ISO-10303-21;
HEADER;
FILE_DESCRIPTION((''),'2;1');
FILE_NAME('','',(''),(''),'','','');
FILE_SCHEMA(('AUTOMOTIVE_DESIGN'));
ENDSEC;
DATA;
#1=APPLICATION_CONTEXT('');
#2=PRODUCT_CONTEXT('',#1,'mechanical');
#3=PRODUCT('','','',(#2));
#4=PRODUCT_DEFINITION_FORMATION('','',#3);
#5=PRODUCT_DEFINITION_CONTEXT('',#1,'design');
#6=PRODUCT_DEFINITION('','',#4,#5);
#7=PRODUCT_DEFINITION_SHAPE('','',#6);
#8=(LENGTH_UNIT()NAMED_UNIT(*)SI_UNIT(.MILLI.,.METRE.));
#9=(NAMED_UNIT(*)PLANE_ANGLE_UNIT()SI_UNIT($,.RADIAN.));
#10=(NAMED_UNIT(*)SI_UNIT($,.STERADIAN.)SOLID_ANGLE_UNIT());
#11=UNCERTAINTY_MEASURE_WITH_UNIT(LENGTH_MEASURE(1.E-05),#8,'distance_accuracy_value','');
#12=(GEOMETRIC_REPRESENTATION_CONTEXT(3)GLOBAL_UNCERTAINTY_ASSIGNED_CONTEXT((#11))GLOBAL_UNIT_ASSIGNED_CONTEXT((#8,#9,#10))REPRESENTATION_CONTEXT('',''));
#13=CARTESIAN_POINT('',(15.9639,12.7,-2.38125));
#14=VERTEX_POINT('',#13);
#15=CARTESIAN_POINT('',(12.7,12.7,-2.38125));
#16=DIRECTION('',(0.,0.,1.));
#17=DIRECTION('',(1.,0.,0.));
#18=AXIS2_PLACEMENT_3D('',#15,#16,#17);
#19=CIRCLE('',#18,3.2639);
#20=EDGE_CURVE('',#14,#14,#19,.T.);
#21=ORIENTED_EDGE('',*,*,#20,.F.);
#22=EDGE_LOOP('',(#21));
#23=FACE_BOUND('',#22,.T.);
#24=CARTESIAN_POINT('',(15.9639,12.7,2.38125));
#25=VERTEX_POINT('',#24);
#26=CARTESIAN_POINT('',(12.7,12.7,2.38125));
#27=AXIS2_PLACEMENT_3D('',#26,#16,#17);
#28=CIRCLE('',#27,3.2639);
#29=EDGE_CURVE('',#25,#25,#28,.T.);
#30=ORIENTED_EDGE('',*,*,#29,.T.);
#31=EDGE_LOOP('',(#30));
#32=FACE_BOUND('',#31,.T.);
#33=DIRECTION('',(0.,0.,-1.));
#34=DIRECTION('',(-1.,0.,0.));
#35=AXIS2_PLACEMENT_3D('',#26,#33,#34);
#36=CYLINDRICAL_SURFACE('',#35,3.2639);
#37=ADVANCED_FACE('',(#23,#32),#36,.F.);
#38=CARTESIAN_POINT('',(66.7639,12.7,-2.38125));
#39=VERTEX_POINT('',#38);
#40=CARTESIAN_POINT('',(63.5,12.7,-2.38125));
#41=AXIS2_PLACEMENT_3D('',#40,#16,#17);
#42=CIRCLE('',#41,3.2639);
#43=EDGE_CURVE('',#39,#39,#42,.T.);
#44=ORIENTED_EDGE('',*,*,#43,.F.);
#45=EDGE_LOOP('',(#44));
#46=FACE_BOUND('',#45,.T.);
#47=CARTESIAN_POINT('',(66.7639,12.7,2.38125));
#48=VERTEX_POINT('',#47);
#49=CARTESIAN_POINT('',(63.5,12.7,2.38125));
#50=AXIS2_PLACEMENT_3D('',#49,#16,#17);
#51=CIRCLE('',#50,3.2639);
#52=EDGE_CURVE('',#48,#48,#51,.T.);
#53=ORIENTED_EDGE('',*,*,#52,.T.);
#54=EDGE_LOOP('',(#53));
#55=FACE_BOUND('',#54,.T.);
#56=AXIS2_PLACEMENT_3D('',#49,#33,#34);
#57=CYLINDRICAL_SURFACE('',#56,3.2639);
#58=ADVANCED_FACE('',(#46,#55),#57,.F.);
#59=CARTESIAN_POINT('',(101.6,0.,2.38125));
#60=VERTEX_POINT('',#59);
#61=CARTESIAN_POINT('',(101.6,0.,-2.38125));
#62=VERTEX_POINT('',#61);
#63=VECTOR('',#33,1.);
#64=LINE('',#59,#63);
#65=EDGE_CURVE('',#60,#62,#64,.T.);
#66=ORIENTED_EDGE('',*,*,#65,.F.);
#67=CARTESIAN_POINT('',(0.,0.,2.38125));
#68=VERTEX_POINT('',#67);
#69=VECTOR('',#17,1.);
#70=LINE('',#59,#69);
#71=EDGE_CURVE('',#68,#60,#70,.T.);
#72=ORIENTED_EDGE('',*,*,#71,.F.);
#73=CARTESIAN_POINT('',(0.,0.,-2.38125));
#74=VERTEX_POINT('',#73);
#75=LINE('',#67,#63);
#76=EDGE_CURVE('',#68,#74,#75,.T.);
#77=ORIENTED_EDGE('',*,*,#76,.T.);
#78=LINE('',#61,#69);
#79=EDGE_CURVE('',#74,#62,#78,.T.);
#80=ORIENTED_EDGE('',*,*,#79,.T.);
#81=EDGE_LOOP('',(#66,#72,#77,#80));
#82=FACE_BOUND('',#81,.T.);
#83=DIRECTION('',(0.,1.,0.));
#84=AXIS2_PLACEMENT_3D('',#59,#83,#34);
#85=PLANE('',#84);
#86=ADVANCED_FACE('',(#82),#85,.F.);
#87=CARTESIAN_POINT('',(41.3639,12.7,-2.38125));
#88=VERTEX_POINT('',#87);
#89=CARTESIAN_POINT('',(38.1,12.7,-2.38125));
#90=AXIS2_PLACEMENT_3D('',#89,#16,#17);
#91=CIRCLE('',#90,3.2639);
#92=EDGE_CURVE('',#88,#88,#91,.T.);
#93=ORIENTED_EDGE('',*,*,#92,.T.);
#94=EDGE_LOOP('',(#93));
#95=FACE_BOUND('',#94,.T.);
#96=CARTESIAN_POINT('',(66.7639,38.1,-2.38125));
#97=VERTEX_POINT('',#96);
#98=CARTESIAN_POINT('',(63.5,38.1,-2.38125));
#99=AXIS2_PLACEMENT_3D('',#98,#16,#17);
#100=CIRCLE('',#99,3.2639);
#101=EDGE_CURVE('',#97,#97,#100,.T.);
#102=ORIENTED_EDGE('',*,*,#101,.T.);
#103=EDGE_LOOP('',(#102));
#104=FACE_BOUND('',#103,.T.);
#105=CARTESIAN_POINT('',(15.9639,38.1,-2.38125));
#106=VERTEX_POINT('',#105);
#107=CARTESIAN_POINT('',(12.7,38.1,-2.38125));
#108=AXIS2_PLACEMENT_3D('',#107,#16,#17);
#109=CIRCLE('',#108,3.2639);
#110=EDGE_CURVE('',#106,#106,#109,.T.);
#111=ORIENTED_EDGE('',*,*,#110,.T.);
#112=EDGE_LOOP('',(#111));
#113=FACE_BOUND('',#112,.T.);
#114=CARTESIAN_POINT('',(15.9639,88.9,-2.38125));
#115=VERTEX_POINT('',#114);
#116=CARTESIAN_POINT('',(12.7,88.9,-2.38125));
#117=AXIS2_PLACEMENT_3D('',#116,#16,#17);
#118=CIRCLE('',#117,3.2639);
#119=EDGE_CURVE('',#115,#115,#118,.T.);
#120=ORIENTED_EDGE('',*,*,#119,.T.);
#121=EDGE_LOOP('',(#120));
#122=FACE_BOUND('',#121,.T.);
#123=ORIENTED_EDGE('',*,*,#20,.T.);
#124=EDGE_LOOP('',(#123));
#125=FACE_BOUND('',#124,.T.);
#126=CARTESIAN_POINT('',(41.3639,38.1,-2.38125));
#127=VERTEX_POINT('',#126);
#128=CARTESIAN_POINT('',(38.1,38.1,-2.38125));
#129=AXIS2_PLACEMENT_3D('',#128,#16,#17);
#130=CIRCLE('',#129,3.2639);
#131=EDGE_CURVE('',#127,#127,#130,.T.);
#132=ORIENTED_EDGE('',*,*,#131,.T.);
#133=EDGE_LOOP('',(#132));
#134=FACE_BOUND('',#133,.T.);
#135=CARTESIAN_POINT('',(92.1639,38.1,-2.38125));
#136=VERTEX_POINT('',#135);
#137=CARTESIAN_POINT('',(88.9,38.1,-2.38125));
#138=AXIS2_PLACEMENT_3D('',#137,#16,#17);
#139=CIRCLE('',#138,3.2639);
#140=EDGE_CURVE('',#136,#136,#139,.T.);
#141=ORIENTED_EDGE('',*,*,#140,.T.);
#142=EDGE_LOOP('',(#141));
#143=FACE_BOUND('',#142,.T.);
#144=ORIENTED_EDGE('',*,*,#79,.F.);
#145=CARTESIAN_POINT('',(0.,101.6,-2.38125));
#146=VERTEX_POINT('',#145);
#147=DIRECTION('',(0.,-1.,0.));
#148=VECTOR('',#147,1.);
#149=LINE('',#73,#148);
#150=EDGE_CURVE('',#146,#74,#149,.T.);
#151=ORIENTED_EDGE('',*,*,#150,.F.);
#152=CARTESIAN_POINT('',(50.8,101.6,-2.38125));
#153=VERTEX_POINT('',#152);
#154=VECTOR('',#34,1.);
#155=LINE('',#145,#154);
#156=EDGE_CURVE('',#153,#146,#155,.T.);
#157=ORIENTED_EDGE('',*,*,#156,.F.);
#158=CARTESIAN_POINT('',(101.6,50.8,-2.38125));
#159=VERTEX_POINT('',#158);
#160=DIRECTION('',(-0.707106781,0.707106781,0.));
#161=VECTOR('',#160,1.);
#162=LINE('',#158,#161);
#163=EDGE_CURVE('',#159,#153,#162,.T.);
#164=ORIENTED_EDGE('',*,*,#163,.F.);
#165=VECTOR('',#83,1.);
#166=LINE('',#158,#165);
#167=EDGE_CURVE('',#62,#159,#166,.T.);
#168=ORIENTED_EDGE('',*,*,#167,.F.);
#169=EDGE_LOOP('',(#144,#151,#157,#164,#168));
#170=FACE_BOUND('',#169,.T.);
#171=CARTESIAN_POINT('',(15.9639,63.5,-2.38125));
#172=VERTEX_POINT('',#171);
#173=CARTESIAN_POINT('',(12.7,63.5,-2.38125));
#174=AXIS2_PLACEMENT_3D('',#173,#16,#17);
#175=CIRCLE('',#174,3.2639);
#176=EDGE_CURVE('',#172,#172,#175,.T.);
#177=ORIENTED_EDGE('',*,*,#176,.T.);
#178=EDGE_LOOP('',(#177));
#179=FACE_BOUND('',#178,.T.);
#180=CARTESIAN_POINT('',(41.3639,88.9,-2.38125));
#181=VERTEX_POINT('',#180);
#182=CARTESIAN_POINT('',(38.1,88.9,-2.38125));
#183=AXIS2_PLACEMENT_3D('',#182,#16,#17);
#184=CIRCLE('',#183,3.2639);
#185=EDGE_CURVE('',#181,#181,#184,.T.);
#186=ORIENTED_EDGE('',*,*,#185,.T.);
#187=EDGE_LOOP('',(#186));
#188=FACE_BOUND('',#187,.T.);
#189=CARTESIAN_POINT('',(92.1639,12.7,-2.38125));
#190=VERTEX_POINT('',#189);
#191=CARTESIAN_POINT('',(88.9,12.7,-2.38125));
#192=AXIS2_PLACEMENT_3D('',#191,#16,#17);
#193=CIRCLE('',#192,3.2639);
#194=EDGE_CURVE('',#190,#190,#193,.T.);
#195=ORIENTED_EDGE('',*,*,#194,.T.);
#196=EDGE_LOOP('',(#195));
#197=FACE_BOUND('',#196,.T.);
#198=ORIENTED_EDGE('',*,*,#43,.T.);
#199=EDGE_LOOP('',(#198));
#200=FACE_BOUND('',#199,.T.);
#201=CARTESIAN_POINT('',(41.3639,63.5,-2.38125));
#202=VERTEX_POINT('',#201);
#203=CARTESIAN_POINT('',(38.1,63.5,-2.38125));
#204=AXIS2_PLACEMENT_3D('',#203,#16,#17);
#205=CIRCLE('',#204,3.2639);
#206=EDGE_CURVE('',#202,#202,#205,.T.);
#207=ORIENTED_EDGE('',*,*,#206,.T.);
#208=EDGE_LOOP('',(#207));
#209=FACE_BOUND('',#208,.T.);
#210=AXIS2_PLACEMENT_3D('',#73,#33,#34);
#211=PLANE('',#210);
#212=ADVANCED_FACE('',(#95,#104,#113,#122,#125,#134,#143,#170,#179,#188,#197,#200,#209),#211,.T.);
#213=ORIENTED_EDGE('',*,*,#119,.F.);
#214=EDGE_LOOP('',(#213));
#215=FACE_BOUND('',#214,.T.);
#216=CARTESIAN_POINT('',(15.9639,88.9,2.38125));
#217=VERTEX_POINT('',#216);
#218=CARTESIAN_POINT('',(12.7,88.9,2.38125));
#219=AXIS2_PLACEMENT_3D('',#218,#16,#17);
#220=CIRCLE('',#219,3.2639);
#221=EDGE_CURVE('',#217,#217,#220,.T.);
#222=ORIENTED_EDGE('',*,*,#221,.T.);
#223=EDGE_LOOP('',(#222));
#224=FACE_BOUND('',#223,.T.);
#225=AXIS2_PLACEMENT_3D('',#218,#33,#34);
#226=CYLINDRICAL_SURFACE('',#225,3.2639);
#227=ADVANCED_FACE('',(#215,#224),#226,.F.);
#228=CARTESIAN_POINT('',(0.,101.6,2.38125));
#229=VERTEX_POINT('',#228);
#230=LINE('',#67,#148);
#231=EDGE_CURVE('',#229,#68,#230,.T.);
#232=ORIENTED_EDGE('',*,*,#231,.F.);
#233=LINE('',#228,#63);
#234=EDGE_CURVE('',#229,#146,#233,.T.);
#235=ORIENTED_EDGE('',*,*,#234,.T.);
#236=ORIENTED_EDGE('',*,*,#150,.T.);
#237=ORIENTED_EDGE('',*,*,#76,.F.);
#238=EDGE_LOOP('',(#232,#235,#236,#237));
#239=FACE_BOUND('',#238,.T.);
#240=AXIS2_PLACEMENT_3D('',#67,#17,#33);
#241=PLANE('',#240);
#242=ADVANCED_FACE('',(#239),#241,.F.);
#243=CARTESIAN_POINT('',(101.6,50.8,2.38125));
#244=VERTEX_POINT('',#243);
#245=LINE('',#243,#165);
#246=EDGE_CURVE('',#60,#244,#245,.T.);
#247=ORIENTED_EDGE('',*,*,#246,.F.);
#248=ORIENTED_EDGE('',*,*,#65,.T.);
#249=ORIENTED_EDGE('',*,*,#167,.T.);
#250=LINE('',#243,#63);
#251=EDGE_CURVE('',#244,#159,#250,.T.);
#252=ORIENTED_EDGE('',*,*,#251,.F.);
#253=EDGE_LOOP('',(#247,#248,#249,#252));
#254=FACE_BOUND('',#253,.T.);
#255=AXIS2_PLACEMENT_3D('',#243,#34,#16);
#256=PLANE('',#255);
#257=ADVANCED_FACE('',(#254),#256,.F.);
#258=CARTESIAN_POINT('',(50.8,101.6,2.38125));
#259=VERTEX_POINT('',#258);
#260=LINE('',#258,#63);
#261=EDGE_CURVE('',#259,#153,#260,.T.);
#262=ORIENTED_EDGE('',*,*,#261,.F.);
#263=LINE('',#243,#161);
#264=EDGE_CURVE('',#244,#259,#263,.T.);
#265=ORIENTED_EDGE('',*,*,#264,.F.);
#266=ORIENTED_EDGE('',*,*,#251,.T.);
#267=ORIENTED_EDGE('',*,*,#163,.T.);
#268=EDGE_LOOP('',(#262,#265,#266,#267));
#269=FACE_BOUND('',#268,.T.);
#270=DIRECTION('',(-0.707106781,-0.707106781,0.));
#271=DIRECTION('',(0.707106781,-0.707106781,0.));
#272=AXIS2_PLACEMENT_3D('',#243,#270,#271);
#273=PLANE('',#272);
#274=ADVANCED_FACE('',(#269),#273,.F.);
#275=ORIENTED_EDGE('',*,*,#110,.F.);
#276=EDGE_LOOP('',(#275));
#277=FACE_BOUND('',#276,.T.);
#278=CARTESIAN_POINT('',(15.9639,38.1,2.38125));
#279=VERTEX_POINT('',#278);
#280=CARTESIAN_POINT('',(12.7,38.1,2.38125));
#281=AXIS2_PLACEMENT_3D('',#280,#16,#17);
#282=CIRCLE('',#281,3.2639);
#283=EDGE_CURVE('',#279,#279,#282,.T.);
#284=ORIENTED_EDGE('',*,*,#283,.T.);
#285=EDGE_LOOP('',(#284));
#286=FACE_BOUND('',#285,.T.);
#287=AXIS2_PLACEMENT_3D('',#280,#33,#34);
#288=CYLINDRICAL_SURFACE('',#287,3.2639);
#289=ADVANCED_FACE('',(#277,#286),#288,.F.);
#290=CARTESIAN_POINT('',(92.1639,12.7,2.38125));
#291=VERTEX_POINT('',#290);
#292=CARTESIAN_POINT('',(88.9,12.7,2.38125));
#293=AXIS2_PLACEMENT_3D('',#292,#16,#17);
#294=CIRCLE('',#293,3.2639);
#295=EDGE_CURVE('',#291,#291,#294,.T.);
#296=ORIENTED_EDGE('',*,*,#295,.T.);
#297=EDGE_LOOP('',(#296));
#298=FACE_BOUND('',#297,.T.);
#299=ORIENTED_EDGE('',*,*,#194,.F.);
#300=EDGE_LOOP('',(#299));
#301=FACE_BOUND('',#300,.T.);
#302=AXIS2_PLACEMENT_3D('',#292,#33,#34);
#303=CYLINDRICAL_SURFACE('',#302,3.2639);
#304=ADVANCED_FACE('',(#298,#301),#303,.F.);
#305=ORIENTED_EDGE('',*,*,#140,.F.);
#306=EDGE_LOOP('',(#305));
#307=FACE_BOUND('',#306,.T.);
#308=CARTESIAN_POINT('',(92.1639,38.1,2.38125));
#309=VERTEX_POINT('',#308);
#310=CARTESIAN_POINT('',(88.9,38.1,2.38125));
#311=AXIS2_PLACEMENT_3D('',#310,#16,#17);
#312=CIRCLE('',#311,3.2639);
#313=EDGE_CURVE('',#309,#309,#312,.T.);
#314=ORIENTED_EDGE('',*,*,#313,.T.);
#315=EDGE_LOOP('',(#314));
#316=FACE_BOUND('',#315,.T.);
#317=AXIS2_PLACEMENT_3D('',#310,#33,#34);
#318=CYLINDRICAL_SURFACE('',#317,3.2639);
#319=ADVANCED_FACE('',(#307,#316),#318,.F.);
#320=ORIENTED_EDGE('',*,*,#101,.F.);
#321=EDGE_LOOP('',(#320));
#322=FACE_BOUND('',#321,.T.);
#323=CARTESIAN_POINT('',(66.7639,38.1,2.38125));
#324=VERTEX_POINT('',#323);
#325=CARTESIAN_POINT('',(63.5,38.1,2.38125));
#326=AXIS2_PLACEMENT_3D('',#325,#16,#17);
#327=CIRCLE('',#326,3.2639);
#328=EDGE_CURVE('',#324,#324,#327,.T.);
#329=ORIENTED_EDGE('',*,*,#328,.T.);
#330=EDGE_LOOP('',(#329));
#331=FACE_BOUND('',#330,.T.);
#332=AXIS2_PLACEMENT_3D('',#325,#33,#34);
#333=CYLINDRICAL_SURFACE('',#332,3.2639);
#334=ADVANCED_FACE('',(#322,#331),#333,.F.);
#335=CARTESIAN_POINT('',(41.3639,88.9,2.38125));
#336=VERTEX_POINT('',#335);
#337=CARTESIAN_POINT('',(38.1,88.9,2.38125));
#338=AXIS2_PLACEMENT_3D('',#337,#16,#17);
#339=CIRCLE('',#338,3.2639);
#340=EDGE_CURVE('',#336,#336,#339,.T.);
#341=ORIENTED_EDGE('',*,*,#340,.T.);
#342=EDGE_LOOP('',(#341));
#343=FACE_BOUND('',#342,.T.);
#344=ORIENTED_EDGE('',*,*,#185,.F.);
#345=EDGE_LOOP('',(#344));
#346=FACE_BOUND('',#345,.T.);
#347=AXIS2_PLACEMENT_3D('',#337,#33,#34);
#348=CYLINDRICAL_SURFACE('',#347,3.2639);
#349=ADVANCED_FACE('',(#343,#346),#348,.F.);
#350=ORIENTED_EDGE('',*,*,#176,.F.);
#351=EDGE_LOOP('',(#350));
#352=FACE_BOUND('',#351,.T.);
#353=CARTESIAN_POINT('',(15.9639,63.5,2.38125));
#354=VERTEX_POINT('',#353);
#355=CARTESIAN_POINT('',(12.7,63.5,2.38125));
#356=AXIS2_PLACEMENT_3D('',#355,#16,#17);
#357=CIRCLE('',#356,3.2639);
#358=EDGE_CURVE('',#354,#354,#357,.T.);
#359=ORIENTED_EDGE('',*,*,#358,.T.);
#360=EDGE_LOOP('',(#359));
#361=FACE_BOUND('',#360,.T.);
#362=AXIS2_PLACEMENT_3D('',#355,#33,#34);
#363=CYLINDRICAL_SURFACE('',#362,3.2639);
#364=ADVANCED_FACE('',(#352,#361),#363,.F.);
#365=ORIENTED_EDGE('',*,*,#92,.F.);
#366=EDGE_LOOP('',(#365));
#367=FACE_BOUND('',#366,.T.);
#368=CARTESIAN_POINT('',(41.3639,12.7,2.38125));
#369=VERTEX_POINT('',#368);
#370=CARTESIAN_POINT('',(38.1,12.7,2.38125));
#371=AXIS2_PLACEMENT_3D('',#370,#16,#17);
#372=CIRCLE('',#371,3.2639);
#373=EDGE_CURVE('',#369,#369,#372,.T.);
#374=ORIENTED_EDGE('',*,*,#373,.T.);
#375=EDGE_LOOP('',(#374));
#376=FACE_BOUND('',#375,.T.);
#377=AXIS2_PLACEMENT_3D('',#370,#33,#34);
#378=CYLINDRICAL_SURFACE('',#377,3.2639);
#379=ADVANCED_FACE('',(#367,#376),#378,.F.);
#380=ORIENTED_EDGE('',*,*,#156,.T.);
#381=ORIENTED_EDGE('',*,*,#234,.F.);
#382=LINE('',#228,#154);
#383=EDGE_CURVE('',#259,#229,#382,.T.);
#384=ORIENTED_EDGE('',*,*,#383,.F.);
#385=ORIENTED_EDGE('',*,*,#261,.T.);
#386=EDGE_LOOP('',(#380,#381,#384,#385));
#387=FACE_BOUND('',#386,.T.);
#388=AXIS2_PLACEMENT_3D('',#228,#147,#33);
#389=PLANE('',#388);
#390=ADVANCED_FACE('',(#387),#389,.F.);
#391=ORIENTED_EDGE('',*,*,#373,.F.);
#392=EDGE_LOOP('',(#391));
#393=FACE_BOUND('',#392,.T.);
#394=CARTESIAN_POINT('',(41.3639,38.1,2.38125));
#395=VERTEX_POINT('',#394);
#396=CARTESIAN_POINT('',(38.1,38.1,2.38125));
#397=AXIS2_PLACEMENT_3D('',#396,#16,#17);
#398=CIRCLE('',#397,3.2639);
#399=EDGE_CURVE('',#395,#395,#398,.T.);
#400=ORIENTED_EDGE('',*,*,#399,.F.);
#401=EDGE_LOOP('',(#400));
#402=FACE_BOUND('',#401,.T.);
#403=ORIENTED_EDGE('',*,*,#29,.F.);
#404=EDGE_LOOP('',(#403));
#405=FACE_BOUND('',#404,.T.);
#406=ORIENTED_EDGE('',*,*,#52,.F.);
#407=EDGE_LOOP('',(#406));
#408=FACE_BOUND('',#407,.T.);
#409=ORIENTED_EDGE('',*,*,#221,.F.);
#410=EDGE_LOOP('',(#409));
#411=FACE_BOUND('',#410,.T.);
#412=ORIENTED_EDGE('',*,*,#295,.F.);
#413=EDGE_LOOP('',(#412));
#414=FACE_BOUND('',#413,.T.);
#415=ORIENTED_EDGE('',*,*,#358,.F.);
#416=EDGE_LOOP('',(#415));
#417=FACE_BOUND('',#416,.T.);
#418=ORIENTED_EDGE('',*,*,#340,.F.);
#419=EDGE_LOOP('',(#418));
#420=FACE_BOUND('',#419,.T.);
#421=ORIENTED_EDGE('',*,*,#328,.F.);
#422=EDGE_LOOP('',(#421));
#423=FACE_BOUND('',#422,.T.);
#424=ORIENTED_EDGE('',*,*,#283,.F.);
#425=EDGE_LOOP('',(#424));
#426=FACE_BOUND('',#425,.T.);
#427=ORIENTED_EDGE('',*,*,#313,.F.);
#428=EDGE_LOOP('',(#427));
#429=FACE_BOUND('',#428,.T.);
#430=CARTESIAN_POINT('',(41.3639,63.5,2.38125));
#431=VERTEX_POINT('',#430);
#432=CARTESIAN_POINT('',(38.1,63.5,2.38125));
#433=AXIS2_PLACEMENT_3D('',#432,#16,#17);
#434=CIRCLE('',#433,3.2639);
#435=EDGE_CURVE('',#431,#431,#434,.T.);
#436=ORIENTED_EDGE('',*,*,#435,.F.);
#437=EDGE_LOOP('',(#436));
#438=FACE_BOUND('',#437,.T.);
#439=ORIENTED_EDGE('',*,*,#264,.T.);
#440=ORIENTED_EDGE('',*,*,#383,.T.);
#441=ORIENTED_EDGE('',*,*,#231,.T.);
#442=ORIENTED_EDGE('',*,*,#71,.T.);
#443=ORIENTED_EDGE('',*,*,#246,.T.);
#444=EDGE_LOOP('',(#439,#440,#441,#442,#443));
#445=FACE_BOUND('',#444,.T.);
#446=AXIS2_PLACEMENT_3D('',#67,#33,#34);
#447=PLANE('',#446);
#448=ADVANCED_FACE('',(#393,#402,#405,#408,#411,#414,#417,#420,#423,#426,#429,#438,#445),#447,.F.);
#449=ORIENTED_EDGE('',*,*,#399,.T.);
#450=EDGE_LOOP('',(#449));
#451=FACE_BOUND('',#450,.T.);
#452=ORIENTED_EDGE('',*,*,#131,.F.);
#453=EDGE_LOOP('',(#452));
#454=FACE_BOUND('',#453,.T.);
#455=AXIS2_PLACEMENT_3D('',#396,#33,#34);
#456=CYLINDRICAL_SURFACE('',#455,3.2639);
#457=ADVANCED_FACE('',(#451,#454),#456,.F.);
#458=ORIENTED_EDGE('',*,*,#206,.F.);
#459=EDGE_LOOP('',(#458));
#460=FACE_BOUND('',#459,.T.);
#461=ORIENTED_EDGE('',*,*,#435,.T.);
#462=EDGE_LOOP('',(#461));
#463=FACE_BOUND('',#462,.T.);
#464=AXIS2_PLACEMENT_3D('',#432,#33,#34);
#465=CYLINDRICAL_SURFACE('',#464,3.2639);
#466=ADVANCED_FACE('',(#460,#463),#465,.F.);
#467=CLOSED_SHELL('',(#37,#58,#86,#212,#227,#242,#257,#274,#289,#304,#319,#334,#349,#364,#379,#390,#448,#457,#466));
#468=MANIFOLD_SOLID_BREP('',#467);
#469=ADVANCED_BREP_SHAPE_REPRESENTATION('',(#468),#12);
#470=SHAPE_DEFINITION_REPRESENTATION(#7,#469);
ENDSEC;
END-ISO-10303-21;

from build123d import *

# Parameters (mm, degrees)
SKETCH1_R           = 3.2639
BOSS_EXTRUDE1_DEPTH = 2.38125


with BuildPart() as part:
    # Sketch1 → Boss-Extrude1 (new body, symmetric)
    with BuildSketch(Plane.XY):
        Polygon((0, 0), (0, 101.6), (50.8, 101.6), (101.6, 50.8), (101.6, 0), align=None)
        with Locations((12.7, 12.7)):
            Circle(SKETCH1_R, mode=Mode.SUBTRACT)
        with Locations((38.1, 12.7)):
            Circle(SKETCH1_R, mode=Mode.SUBTRACT)
        with Locations((63.5, 12.7)):
            Circle(SKETCH1_R, mode=Mode.SUBTRACT)
        with Locations((12.7, 38.1)):
            Circle(SKETCH1_R, mode=Mode.SUBTRACT)
        with Locations((12.7, 63.5)):
            Circle(SKETCH1_R, mode=Mode.SUBTRACT)
        with Locations((88.9, 12.7)):
            Circle(SKETCH1_R, mode=Mode.SUBTRACT)
        with Locations((88.9, 38.1)):
            Circle(SKETCH1_R, mode=Mode.SUBTRACT)
        with Locations((63.5, 38.1)):
            Circle(SKETCH1_R, mode=Mode.SUBTRACT)
        with Locations((38.1, 38.1)):
            Circle(SKETCH1_R, mode=Mode.SUBTRACT)
        with Locations((12.7, 88.9)):
            Circle(SKETCH1_R, mode=Mode.SUBTRACT)
        with Locations((38.1, 88.9)):
            Circle(SKETCH1_R, mode=Mode.SUBTRACT)
        with Locations((38.1, 63.5)):
            Circle(SKETCH1_R, mode=Mode.SUBTRACT)
    extrude(amount=BOSS_EXTRUDE1_DEPTH, both=True)


solid = part.part
